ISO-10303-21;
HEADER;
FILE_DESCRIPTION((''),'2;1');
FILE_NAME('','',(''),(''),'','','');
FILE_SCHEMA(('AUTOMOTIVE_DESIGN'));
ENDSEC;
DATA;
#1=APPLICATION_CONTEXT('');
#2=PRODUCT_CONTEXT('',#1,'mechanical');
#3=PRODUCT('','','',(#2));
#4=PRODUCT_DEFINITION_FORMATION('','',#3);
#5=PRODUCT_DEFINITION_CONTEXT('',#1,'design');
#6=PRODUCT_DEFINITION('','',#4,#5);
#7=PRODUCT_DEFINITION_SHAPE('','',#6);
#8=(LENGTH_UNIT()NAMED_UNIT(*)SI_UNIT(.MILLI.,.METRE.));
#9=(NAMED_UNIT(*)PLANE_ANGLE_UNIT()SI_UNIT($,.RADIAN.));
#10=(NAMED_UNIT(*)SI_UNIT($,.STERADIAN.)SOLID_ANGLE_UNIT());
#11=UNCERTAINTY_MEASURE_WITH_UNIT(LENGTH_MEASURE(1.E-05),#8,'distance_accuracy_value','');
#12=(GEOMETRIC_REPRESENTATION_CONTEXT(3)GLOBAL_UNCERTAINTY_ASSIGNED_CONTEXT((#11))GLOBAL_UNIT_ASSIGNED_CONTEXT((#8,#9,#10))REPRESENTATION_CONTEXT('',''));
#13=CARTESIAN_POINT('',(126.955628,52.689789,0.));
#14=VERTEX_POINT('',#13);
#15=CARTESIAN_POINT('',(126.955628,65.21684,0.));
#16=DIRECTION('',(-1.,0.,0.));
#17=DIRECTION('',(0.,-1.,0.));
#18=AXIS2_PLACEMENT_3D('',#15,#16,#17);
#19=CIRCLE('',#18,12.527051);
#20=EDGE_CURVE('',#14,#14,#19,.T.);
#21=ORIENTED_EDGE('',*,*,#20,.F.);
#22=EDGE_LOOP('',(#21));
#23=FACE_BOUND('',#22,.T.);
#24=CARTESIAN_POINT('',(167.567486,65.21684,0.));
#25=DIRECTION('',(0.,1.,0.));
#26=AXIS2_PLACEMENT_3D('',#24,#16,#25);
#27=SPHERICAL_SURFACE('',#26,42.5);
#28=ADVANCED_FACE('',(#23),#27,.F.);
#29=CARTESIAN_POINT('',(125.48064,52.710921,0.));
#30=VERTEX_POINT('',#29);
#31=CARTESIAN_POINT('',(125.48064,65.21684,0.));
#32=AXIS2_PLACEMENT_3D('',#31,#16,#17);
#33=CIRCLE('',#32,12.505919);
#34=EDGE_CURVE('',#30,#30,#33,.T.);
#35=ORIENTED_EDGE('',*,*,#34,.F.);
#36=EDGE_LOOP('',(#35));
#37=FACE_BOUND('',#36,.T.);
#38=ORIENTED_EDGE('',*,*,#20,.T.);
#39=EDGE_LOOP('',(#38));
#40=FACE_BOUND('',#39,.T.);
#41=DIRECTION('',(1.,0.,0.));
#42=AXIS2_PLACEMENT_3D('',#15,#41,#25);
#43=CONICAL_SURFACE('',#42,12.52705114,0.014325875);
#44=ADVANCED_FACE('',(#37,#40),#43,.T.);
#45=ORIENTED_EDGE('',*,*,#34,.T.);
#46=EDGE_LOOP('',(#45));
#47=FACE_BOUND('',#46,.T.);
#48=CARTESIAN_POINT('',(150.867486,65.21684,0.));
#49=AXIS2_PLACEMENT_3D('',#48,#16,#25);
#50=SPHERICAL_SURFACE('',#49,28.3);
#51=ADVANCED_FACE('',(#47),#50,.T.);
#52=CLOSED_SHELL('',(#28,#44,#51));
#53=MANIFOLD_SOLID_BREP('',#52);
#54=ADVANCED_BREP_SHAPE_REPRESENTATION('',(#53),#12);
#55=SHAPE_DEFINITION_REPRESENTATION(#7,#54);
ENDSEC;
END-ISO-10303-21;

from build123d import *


with BuildPart() as part:
    # 草图1 → 旋转1 (revolve)
    with BuildSketch(Plane.XY):
        with BuildLine():
            Line((125.480639547, 77.722759658), (126.955628497, 77.743891611))
            ThreePointArc((126.955628497, 77.743891611), (125.542172717, 71.551114136), (125.067486245, 65.216840471))
            Line((125.067486245, 65.216840471), (122.567486245, 65.216840471))
            ThreePointArc((122.567486245, 65.216840471), (123.305394873, 71.637208001), (125.480639547, 77.722759658))
        make_face()
    revolve(axis=Axis((115.944491298, 65.216840471, 0), (1, 0, 0)))


solid = part.part
